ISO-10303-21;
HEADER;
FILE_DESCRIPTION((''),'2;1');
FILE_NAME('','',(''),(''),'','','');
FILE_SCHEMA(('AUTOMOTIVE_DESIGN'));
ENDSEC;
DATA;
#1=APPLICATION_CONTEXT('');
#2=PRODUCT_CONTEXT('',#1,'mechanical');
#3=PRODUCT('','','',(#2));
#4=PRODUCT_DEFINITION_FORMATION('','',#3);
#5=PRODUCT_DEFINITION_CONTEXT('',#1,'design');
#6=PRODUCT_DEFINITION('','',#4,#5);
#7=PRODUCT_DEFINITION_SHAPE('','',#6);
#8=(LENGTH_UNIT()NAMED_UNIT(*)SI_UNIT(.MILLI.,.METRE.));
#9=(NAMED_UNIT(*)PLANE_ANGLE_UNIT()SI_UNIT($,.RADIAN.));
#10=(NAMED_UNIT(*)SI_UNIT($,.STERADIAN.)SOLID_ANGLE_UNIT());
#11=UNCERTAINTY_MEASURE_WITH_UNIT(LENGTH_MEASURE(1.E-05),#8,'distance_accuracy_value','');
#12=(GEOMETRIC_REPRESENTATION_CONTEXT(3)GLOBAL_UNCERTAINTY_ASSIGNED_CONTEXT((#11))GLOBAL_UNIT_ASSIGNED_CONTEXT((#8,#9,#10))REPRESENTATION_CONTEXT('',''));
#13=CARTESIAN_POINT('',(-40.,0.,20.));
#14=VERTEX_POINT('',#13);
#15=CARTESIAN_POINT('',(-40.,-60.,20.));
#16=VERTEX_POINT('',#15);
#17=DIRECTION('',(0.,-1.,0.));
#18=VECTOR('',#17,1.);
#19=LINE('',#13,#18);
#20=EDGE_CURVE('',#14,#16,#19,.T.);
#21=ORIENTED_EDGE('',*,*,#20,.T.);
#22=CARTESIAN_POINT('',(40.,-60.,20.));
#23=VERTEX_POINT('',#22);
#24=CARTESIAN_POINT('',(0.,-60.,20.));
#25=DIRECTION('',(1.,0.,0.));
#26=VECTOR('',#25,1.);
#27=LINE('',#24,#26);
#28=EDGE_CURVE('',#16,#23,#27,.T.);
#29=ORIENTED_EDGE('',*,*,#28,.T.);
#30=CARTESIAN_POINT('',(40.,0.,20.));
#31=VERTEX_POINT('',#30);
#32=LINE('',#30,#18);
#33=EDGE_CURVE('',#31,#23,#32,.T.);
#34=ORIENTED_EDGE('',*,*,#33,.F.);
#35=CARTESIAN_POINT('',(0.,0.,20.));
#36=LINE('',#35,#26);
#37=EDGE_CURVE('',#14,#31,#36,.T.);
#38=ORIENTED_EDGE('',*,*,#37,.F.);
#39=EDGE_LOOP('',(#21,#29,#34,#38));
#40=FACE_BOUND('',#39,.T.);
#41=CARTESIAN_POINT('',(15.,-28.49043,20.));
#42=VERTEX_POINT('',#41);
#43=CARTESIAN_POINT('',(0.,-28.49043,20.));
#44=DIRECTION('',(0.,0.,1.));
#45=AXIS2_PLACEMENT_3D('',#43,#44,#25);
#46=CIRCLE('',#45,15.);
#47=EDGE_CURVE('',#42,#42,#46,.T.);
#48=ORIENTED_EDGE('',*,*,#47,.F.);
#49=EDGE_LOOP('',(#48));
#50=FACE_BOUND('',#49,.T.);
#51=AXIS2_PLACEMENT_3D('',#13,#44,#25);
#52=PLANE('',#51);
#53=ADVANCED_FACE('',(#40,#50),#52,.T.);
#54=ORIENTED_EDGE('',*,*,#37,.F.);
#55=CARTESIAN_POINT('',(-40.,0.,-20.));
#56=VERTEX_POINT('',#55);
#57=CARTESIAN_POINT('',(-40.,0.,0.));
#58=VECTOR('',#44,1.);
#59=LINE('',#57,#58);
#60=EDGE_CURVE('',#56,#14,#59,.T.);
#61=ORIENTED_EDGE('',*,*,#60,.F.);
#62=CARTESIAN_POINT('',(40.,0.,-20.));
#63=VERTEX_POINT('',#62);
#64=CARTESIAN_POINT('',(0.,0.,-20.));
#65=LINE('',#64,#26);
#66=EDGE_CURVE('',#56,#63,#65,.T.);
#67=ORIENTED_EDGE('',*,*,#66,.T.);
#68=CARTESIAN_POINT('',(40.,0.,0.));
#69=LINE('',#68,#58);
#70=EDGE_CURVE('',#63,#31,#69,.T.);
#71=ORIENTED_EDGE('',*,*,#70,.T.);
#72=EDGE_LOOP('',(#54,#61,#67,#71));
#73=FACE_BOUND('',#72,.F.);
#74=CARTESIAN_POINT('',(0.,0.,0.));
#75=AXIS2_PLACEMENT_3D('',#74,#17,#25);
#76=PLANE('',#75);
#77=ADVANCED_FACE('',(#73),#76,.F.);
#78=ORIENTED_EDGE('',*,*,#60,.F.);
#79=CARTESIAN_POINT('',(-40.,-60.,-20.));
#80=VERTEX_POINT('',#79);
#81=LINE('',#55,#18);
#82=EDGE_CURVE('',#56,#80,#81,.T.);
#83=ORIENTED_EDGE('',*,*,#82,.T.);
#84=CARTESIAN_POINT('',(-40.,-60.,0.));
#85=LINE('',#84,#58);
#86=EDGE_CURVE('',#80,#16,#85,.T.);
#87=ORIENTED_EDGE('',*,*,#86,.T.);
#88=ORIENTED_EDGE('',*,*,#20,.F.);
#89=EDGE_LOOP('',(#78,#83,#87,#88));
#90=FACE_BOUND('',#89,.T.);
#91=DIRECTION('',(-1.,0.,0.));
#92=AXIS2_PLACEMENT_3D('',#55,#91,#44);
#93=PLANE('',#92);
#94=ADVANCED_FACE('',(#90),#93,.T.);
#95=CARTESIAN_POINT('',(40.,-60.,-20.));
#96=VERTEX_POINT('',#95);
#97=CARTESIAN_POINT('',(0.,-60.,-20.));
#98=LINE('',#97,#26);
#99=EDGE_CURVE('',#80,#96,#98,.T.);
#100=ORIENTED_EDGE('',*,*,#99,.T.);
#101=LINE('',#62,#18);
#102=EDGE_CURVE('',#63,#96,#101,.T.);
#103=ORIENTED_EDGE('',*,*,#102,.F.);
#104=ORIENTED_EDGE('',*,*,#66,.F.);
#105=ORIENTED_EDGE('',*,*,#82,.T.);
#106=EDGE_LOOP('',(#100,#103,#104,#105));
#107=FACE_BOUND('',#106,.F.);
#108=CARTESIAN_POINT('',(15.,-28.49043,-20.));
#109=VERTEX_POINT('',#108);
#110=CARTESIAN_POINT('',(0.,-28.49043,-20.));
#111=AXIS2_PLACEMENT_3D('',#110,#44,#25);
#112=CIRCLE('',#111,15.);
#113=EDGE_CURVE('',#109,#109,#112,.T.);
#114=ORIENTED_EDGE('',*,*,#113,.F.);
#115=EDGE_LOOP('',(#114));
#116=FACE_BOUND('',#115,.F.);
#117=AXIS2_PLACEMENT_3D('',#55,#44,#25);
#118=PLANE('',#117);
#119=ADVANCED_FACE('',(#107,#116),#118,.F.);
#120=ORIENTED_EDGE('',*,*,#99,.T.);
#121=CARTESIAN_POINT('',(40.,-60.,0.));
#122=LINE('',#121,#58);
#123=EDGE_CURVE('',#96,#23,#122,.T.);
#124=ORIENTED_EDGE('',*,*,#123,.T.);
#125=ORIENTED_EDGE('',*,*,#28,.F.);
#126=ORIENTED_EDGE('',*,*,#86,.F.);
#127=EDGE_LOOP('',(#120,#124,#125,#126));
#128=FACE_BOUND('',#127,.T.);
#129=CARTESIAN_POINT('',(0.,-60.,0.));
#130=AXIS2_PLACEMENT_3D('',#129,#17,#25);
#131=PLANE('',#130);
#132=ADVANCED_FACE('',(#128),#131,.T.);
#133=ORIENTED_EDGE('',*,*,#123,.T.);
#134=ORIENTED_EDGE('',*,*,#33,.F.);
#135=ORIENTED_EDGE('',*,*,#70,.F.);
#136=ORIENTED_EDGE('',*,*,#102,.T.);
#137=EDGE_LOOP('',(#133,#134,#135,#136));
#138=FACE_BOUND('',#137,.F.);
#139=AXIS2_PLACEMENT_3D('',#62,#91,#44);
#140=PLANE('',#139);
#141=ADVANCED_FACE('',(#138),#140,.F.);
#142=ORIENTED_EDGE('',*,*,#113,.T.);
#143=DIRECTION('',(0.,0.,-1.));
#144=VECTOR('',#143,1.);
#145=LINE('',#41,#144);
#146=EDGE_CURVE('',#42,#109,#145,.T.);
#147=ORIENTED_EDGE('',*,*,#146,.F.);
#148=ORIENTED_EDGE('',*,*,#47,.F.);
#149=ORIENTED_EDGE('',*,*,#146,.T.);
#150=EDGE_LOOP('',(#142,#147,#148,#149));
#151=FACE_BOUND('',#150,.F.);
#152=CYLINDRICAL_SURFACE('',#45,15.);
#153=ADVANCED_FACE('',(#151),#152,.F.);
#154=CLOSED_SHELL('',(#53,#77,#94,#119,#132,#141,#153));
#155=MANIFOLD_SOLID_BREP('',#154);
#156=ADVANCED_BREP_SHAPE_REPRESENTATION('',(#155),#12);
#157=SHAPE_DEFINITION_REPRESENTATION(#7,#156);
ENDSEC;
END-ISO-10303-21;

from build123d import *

# Parameters (mm, degrees)
F0_W     = 80
F0_H     = 40
F1_DEPTH = 60
F2_R     = 15
F3_DEPTH = 40.001


with BuildPart() as f1:
    # F0 (on Front) → F1 (new body)
    with BuildSketch(Plane.XZ):
        Rectangle(F0_W, F0_H)
    extrude(amount=F1_DEPTH)

    # F2 (on face) → F3 (cut, through all)
    with BuildSketch(Plane.XY.offset(20)):
        with Locations((0, -28.49043)):
            Circle(F2_R)
    extrude(amount=-F3_DEPTH, mode=Mode.SUBTRACT)


solid = f1.part
